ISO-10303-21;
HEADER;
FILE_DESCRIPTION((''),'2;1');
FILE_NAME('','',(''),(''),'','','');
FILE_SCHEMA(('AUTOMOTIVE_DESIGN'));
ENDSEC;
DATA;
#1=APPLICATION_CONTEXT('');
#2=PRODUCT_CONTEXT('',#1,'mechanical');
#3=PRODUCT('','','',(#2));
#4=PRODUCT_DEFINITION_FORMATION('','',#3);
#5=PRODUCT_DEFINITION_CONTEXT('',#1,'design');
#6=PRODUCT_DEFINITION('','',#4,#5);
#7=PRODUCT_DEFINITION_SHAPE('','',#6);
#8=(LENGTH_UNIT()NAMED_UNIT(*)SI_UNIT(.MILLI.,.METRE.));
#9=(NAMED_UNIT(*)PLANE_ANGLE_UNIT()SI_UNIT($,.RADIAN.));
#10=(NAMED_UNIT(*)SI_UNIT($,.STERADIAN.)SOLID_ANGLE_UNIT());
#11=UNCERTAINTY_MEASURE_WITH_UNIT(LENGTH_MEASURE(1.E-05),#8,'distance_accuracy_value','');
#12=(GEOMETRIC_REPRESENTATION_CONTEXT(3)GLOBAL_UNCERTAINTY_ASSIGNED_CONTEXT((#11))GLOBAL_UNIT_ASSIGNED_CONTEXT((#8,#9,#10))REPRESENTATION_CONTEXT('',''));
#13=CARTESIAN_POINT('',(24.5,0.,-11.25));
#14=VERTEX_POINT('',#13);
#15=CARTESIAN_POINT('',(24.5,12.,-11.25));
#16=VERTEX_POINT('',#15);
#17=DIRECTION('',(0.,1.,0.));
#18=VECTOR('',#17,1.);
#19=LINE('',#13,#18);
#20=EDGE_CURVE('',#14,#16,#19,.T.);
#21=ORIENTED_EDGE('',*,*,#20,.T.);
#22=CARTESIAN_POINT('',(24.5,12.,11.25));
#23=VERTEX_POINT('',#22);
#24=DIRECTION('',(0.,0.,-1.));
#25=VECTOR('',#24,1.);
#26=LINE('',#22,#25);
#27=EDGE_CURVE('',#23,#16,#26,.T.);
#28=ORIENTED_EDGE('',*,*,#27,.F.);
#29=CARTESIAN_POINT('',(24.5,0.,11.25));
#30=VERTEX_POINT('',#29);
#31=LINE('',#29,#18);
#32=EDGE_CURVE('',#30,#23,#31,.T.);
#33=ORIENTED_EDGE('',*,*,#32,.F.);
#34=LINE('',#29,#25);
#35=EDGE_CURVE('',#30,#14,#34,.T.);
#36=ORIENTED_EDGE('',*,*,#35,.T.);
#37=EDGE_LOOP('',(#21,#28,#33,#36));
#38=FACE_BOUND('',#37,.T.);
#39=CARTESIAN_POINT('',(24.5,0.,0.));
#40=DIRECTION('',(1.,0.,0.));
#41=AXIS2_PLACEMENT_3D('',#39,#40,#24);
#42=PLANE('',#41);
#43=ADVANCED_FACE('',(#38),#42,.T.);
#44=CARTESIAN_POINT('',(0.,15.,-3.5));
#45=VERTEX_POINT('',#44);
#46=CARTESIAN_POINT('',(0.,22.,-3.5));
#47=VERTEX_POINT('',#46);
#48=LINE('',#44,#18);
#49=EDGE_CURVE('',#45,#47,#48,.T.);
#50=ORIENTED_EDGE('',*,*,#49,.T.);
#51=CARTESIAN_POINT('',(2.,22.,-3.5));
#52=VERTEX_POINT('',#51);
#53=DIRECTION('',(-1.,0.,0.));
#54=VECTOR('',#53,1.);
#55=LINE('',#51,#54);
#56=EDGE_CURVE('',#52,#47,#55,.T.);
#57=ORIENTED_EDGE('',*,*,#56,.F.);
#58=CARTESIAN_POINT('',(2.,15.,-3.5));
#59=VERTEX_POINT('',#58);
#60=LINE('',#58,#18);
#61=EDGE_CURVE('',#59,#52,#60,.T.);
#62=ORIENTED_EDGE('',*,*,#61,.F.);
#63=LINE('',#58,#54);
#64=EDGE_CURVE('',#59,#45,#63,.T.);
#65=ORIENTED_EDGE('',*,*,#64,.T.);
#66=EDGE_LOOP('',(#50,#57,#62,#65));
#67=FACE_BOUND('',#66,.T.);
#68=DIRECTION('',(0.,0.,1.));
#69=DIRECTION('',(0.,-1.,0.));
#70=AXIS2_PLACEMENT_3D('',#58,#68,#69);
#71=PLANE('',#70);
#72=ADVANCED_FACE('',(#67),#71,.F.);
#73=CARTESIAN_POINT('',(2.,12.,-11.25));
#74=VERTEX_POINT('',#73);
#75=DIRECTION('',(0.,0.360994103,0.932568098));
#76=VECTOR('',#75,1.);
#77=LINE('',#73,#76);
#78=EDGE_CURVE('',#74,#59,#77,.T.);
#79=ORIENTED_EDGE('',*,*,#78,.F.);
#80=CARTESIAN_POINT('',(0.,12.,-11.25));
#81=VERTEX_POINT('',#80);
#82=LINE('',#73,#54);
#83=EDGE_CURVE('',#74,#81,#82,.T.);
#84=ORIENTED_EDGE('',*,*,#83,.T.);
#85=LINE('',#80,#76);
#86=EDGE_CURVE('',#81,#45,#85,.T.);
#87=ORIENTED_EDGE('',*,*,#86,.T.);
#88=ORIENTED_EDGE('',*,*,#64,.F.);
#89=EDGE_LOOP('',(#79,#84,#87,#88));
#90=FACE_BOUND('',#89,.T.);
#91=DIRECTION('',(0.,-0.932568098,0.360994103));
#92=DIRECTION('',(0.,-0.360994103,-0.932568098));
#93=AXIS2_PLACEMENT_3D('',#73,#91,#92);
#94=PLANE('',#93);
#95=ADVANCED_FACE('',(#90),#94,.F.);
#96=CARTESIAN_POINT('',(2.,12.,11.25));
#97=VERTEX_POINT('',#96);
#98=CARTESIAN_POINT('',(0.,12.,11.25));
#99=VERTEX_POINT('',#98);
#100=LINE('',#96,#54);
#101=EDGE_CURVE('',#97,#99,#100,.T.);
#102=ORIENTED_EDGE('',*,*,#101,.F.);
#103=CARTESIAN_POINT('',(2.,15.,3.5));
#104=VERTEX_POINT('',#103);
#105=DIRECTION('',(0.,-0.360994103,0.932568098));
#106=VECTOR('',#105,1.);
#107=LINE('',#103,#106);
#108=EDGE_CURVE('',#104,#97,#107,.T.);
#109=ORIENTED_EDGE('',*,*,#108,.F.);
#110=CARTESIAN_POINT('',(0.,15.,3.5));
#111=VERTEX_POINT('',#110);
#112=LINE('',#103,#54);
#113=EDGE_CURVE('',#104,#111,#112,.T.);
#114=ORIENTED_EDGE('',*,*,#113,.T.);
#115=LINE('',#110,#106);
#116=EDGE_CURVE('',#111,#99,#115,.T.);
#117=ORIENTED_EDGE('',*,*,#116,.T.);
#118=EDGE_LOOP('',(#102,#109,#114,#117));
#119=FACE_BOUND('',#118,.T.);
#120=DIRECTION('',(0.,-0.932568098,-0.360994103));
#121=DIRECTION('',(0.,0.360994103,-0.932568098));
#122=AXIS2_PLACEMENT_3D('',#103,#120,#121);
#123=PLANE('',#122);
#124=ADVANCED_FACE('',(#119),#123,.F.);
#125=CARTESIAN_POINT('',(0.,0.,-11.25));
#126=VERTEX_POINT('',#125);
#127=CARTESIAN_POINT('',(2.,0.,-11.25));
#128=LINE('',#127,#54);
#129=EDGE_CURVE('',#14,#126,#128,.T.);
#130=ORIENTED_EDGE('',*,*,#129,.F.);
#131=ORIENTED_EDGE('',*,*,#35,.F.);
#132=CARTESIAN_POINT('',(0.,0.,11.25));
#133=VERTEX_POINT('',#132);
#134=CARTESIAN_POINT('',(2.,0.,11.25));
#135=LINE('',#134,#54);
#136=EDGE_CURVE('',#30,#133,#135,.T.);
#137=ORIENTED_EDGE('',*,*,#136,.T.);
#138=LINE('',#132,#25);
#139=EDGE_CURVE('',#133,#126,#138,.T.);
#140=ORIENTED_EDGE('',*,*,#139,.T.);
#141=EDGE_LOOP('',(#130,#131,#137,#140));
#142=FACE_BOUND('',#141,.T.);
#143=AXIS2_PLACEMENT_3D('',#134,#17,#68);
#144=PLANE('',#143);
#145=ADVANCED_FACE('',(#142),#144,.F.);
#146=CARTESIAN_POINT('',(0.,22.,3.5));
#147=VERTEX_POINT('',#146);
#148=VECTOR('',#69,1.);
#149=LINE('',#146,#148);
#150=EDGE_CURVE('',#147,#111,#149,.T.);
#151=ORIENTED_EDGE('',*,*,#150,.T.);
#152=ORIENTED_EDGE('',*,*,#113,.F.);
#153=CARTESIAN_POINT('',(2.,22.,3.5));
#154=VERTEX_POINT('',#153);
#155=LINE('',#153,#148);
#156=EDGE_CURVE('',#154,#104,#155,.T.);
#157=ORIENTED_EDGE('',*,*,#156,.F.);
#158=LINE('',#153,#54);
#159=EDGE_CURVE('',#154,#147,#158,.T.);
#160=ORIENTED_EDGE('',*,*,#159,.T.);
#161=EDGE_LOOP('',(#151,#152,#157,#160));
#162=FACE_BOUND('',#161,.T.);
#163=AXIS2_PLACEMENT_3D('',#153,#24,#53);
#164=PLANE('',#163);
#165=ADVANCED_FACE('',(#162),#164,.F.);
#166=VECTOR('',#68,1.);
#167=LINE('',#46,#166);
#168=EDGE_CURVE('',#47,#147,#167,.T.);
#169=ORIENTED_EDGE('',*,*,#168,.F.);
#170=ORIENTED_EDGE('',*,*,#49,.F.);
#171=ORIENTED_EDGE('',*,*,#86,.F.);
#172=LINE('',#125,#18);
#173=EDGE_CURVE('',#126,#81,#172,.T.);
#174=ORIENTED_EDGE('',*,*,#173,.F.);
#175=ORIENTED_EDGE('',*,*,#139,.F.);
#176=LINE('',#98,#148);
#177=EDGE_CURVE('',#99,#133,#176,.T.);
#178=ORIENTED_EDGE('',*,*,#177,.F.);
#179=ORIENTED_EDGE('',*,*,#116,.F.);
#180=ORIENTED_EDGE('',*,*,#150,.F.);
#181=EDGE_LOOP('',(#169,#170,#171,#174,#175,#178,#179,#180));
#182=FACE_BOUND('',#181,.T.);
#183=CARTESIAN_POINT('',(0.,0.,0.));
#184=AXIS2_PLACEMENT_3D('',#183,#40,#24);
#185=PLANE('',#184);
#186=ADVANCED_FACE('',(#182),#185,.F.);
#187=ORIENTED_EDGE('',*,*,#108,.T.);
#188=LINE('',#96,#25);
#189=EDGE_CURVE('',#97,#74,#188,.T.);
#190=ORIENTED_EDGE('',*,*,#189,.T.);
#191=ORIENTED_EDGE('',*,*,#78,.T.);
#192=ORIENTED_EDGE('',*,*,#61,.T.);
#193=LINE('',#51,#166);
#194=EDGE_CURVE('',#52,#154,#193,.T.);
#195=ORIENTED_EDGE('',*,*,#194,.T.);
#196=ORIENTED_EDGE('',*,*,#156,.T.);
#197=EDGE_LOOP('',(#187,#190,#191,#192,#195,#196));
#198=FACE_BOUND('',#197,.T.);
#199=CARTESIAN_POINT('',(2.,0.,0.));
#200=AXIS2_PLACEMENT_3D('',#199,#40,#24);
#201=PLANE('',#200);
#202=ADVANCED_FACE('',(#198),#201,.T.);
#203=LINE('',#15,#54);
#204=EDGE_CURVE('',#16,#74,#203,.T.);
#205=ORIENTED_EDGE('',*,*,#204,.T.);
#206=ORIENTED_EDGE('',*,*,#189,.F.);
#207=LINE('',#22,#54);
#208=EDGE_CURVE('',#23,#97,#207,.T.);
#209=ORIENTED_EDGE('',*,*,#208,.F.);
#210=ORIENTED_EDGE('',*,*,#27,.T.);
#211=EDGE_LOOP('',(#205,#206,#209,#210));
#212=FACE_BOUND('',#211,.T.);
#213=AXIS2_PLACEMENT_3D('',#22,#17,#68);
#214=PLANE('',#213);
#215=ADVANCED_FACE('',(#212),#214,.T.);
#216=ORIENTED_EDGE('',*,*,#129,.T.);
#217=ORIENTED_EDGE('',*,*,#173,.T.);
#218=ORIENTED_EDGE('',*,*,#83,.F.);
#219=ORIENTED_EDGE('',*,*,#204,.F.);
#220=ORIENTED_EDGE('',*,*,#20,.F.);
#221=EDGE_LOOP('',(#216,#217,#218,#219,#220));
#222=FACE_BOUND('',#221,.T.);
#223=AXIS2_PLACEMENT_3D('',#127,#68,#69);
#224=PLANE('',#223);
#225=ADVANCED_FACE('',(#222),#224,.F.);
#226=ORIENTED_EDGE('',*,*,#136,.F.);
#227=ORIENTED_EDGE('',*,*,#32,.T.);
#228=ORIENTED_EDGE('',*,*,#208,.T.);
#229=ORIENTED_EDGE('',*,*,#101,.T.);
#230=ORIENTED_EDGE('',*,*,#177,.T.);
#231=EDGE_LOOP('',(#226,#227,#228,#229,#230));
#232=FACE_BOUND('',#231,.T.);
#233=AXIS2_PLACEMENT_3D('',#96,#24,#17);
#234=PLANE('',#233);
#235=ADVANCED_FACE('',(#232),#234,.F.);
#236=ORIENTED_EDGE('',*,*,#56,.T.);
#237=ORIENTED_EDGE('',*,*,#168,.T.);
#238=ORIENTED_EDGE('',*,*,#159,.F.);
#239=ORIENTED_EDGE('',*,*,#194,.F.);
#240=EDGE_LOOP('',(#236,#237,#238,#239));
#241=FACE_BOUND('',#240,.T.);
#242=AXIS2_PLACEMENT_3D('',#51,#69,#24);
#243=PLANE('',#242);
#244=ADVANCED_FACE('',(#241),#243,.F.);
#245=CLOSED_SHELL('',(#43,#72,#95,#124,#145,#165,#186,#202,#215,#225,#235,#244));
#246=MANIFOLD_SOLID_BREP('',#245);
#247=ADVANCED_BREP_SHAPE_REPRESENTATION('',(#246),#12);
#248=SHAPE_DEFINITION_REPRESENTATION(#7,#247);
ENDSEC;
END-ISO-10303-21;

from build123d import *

# Parameters (mm, degrees)
BOSS_EXTRUDE1_DEPTH = 2
SKETCH2_W           = 22.5
SKETCH2_H           = 12
BOSS_EXTRUDE2_DEPTH = 22.5


with BuildPart() as part:
    # Sketch1 → Boss-Extrude1 (new body)
    with BuildSketch(Plane(origin=(0, 0, 0), x_dir=(0, 0, -1), z_dir=(1, 0, 0))):
        Polygon((-11.25, 0), (11.25, 0), (11.25, 12), (3.5, 15), (3.5, 22), (-3.5, 22), (-3.5, 15), (-11.25, 12), align=None)
    extrude(amount=BOSS_EXTRUDE1_DEPTH)

    # Sketch2 → Boss-Extrude2 (add)
    with BuildSketch(Plane(origin=(2, 0, 0), x_dir=(0, 0, -1), z_dir=(1, 0, 0))):
        with Locations((0, 6)):
            Rectangle(SKETCH2_W, SKETCH2_H)
    extrude(amount=BOSS_EXTRUDE2_DEPTH)


solid = part.part
